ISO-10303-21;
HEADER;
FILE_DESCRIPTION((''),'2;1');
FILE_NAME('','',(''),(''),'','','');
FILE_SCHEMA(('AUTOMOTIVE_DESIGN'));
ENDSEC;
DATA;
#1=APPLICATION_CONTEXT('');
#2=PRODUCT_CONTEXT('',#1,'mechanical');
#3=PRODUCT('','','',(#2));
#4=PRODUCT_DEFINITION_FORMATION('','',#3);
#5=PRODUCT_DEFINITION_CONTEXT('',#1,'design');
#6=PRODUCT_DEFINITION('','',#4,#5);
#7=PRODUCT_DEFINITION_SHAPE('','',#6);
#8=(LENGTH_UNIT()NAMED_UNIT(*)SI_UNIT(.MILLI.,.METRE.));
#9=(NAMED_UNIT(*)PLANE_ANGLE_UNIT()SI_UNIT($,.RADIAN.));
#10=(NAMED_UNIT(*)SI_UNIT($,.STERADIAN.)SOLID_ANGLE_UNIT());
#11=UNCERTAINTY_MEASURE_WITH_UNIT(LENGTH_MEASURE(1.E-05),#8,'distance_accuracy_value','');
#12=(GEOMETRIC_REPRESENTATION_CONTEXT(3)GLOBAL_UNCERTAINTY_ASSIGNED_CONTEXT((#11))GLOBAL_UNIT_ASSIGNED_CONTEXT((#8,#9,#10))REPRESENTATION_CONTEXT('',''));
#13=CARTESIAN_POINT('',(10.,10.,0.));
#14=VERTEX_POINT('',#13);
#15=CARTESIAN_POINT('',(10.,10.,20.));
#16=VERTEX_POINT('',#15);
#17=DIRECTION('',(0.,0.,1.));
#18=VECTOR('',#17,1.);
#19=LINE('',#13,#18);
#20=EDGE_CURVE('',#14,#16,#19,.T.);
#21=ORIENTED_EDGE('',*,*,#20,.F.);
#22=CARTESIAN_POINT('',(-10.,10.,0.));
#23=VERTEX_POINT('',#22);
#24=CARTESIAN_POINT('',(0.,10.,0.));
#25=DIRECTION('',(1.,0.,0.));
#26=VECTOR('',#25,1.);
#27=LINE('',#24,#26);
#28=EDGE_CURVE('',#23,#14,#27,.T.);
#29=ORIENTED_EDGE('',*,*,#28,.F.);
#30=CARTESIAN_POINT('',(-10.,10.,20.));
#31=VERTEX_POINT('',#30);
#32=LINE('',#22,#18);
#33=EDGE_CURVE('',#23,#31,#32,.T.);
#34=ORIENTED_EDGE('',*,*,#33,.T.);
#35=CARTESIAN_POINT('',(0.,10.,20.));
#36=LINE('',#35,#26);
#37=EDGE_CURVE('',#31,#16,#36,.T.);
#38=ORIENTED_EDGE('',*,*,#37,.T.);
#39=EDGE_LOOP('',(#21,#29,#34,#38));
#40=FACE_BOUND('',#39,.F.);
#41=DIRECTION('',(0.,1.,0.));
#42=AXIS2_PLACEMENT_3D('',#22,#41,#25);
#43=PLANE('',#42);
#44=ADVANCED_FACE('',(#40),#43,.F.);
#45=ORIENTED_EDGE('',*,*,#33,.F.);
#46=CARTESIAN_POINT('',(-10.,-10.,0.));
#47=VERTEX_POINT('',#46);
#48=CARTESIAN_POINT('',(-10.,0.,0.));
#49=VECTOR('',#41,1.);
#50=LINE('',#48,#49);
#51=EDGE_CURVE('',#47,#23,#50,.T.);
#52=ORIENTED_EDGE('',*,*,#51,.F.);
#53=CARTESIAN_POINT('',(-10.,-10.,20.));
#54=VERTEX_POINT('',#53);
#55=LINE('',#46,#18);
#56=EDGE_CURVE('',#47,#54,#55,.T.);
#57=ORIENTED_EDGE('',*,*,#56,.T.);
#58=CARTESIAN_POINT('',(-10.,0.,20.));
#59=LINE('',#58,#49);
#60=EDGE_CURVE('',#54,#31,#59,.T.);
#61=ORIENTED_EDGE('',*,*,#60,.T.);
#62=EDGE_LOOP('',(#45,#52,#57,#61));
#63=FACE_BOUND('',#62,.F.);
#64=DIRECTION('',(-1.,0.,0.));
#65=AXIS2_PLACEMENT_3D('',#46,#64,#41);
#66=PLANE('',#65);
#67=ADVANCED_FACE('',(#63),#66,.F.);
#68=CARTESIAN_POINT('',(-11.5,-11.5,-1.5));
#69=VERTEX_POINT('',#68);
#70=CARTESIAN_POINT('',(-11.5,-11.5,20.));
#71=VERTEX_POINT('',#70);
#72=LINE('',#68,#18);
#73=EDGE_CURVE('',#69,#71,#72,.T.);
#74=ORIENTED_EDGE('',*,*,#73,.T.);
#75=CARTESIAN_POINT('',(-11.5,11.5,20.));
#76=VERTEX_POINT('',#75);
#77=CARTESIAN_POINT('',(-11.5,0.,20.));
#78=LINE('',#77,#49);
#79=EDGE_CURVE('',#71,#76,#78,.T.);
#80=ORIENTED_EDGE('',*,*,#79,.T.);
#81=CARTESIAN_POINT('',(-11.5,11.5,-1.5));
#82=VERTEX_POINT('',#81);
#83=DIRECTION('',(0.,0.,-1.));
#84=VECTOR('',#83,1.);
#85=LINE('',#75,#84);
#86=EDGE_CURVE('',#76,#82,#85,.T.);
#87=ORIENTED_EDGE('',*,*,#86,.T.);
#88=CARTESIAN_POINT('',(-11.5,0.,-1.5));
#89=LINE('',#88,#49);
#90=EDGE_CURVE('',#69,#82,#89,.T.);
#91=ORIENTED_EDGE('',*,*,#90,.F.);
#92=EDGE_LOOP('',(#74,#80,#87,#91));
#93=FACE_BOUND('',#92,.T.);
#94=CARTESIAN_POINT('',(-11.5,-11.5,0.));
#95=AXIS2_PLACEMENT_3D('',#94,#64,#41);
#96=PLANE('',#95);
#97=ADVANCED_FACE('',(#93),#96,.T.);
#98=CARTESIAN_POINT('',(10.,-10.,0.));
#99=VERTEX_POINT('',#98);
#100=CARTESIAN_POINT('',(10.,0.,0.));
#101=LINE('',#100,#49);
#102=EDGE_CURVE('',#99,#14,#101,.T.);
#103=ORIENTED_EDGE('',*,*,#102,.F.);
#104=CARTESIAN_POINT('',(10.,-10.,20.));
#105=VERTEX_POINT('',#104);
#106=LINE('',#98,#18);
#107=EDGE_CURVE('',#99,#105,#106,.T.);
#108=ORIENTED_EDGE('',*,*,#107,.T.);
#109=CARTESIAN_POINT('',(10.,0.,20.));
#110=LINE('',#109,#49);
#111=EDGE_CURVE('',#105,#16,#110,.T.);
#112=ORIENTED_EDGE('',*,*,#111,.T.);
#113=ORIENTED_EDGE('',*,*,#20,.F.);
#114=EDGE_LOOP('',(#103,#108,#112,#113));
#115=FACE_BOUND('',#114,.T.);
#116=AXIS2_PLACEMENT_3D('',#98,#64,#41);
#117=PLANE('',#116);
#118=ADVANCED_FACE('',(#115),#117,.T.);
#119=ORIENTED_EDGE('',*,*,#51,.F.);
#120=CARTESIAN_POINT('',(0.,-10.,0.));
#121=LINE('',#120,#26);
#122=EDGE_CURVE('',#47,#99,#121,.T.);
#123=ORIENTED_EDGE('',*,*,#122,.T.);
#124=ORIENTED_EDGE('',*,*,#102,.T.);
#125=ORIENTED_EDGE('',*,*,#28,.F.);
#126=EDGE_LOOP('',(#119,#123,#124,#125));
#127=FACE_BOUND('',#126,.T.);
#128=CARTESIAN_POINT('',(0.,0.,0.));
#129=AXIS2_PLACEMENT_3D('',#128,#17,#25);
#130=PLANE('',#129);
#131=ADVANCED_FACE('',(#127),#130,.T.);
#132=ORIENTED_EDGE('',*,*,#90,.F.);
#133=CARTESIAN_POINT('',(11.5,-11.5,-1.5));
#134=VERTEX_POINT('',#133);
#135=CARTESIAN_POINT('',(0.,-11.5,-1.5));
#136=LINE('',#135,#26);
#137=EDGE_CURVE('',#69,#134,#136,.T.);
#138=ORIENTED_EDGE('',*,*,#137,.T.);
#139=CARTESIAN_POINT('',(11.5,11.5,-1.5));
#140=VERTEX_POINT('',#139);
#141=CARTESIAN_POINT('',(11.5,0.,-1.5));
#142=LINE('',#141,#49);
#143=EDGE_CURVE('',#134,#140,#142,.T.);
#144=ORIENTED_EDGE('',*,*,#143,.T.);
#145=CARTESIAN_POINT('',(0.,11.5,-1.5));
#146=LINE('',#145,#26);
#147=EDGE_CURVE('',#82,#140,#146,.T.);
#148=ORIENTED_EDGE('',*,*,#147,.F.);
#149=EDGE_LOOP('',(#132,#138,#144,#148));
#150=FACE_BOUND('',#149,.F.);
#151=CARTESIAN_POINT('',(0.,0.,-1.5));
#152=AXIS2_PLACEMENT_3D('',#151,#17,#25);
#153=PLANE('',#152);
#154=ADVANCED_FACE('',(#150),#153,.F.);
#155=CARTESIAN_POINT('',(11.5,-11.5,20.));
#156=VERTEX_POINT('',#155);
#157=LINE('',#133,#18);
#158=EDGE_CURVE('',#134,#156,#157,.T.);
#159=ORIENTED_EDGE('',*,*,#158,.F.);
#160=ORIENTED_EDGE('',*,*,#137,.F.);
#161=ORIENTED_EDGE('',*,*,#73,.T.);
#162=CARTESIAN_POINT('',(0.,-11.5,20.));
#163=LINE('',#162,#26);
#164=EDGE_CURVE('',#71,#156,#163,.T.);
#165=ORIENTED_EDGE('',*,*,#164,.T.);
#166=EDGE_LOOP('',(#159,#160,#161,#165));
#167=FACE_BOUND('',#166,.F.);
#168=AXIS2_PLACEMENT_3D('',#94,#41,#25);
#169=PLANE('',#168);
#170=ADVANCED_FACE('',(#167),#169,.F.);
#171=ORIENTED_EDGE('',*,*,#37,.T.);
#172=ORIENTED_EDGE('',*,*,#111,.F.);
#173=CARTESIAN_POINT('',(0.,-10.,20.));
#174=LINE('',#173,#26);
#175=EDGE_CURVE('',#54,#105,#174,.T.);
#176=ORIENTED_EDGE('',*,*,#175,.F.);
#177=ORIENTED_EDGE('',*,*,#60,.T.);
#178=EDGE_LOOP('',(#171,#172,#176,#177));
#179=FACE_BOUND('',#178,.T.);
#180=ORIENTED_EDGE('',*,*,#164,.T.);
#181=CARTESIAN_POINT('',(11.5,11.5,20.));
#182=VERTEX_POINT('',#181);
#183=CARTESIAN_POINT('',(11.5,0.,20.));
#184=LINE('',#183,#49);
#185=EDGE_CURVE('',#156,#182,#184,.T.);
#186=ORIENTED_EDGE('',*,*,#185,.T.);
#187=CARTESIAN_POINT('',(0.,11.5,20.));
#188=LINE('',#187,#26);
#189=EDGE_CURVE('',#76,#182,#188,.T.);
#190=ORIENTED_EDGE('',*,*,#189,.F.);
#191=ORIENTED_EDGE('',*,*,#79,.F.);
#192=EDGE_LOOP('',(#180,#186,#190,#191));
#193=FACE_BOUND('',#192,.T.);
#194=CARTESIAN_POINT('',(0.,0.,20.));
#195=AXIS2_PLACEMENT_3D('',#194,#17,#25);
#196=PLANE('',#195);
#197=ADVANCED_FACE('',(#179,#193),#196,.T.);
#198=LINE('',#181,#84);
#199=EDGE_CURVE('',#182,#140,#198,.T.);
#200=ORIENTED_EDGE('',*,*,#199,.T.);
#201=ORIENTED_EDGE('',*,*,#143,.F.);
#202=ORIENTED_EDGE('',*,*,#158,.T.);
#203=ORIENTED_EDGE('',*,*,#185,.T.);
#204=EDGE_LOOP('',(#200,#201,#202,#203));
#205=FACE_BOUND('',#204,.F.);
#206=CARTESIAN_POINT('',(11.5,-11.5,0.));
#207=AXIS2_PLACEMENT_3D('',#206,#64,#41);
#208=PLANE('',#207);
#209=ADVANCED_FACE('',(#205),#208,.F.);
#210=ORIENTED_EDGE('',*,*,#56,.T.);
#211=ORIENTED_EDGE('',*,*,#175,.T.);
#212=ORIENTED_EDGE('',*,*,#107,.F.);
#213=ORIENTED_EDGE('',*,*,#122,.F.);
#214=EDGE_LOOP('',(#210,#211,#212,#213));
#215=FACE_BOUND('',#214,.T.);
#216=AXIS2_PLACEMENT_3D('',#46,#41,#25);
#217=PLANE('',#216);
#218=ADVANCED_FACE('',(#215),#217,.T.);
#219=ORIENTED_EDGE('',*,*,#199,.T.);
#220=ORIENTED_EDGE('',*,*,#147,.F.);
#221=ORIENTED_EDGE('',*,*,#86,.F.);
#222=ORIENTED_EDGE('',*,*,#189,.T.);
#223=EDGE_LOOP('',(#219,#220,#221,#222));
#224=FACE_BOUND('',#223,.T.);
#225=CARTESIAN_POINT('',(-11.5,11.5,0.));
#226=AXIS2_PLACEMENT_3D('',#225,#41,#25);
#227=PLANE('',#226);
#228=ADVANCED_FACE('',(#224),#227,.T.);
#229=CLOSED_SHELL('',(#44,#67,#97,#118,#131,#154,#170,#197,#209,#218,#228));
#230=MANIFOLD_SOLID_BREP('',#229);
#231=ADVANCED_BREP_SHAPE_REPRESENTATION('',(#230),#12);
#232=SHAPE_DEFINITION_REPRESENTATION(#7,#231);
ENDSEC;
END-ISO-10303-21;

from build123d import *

# Parameters (mm, degrees)
F0_W     = 23
F0_H     = 23
F0_W_2   = 20
F0_H_2   = 20
F1_DEPTH = 1.5
F2_DEPTH = 20


with BuildPart() as f1:
    # F0 (on Top) → F1 (new body)
    with BuildSketch(Plane.XY):
        Rectangle(F0_W, F0_H)
        Rectangle(F0_W_2, F0_H_2, mode=Mode.SUBTRACT)
        Rectangle(F0_W_2, F0_H_2)
    extrude(amount=-F1_DEPTH)

    # F0 (on Top) → F2 (join)
    with BuildSketch(Plane.XY):
        Rectangle(F0_W, F0_H)
        Rectangle(F0_W_2, F0_H_2, mode=Mode.SUBTRACT)
    extrude(amount=F2_DEPTH)


solid = f1.part
